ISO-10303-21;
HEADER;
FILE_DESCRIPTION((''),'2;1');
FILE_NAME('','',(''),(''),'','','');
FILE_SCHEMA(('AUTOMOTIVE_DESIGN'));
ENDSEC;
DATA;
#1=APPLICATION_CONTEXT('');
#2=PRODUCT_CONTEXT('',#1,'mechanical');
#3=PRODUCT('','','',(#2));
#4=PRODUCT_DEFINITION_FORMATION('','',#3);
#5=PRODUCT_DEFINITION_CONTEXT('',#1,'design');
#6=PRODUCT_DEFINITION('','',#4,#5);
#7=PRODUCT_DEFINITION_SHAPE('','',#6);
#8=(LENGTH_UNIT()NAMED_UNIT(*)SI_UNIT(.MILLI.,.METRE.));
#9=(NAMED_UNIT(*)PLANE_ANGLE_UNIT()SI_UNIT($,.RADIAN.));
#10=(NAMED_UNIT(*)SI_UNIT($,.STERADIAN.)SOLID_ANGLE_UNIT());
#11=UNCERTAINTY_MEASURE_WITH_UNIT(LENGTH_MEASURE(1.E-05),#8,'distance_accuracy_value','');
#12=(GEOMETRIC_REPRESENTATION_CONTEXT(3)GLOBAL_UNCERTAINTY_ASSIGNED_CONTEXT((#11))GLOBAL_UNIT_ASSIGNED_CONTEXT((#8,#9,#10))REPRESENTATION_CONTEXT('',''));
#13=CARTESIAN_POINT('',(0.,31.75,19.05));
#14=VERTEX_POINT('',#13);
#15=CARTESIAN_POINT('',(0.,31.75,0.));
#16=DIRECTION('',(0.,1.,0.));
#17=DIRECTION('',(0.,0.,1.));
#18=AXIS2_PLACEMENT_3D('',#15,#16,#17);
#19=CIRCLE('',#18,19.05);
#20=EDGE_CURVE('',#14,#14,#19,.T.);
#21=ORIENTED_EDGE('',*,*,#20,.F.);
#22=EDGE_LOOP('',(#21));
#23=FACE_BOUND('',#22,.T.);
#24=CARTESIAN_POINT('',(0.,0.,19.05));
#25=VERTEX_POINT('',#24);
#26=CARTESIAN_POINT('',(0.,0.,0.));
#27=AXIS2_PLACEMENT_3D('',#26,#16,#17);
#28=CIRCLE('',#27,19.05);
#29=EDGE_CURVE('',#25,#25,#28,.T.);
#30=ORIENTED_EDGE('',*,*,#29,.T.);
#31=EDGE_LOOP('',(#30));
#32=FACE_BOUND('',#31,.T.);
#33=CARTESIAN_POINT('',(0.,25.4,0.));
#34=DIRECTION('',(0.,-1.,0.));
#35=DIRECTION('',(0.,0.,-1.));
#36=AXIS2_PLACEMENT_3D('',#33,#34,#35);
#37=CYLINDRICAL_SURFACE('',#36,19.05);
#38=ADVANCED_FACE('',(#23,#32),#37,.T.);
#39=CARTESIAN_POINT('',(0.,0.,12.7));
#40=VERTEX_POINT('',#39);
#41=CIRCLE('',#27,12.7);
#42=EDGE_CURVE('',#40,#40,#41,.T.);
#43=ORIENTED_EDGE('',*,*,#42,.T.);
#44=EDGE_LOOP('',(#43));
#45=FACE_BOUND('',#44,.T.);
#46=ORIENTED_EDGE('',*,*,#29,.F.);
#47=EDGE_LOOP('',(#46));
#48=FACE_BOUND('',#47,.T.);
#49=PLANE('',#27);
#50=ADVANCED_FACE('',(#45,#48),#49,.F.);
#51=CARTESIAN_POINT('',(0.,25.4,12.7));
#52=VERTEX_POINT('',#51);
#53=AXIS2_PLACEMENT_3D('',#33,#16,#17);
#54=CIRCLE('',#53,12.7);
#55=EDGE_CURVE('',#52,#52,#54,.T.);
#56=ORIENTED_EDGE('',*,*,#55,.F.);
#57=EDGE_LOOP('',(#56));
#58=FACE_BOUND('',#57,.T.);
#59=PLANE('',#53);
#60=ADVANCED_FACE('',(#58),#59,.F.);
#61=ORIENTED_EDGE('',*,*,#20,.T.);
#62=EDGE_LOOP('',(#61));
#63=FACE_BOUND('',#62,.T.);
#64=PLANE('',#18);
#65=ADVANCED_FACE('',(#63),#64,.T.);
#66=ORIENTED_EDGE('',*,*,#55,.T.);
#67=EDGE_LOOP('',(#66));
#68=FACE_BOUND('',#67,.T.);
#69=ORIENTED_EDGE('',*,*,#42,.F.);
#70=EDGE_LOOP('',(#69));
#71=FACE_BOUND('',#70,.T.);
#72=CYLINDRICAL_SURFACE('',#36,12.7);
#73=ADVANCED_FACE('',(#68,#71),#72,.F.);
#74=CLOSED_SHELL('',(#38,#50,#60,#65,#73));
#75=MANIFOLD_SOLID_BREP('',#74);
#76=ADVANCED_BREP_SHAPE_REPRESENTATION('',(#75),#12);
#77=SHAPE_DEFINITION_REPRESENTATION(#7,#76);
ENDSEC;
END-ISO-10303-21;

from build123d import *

# Parameters (mm, degrees)
SKETCH1_R           = 19.05
SKETCH1_R_2         = 12.7
BOSS_EXTRUDE1_DEPTH = 25.4
SKETCH4_R           = 19.05
BOSS_EXTRUDE2_DEPTH = 6.35


with BuildPart() as part:
    # Sketch1 → Boss-Extrude1 (new body)
    with BuildSketch(Plane(origin=(0, 0, 0), x_dir=(1, 0, 0), z_dir=(0, 1, 0))):
        with Locations(Location((0, 0, 0), (0, 0, 270))):
            Circle(SKETCH1_R)
        with Locations(Location((0, 0, 0), (0, 0, 270))):
            Circle(SKETCH1_R_2, mode=Mode.SUBTRACT)
    extrude(amount=BOSS_EXTRUDE1_DEPTH)

    # Sketch4 → Boss-Extrude2 (add)
    with BuildSketch(Plane(origin=(0, 25.4, 0), x_dir=(1, 0, 0), z_dir=(0, 1, 0))):
        with Locations(Location((0, 0, 0), (0, 0, 270))):
            Circle(SKETCH4_R)
    extrude(amount=BOSS_EXTRUDE2_DEPTH)


solid = part.part
